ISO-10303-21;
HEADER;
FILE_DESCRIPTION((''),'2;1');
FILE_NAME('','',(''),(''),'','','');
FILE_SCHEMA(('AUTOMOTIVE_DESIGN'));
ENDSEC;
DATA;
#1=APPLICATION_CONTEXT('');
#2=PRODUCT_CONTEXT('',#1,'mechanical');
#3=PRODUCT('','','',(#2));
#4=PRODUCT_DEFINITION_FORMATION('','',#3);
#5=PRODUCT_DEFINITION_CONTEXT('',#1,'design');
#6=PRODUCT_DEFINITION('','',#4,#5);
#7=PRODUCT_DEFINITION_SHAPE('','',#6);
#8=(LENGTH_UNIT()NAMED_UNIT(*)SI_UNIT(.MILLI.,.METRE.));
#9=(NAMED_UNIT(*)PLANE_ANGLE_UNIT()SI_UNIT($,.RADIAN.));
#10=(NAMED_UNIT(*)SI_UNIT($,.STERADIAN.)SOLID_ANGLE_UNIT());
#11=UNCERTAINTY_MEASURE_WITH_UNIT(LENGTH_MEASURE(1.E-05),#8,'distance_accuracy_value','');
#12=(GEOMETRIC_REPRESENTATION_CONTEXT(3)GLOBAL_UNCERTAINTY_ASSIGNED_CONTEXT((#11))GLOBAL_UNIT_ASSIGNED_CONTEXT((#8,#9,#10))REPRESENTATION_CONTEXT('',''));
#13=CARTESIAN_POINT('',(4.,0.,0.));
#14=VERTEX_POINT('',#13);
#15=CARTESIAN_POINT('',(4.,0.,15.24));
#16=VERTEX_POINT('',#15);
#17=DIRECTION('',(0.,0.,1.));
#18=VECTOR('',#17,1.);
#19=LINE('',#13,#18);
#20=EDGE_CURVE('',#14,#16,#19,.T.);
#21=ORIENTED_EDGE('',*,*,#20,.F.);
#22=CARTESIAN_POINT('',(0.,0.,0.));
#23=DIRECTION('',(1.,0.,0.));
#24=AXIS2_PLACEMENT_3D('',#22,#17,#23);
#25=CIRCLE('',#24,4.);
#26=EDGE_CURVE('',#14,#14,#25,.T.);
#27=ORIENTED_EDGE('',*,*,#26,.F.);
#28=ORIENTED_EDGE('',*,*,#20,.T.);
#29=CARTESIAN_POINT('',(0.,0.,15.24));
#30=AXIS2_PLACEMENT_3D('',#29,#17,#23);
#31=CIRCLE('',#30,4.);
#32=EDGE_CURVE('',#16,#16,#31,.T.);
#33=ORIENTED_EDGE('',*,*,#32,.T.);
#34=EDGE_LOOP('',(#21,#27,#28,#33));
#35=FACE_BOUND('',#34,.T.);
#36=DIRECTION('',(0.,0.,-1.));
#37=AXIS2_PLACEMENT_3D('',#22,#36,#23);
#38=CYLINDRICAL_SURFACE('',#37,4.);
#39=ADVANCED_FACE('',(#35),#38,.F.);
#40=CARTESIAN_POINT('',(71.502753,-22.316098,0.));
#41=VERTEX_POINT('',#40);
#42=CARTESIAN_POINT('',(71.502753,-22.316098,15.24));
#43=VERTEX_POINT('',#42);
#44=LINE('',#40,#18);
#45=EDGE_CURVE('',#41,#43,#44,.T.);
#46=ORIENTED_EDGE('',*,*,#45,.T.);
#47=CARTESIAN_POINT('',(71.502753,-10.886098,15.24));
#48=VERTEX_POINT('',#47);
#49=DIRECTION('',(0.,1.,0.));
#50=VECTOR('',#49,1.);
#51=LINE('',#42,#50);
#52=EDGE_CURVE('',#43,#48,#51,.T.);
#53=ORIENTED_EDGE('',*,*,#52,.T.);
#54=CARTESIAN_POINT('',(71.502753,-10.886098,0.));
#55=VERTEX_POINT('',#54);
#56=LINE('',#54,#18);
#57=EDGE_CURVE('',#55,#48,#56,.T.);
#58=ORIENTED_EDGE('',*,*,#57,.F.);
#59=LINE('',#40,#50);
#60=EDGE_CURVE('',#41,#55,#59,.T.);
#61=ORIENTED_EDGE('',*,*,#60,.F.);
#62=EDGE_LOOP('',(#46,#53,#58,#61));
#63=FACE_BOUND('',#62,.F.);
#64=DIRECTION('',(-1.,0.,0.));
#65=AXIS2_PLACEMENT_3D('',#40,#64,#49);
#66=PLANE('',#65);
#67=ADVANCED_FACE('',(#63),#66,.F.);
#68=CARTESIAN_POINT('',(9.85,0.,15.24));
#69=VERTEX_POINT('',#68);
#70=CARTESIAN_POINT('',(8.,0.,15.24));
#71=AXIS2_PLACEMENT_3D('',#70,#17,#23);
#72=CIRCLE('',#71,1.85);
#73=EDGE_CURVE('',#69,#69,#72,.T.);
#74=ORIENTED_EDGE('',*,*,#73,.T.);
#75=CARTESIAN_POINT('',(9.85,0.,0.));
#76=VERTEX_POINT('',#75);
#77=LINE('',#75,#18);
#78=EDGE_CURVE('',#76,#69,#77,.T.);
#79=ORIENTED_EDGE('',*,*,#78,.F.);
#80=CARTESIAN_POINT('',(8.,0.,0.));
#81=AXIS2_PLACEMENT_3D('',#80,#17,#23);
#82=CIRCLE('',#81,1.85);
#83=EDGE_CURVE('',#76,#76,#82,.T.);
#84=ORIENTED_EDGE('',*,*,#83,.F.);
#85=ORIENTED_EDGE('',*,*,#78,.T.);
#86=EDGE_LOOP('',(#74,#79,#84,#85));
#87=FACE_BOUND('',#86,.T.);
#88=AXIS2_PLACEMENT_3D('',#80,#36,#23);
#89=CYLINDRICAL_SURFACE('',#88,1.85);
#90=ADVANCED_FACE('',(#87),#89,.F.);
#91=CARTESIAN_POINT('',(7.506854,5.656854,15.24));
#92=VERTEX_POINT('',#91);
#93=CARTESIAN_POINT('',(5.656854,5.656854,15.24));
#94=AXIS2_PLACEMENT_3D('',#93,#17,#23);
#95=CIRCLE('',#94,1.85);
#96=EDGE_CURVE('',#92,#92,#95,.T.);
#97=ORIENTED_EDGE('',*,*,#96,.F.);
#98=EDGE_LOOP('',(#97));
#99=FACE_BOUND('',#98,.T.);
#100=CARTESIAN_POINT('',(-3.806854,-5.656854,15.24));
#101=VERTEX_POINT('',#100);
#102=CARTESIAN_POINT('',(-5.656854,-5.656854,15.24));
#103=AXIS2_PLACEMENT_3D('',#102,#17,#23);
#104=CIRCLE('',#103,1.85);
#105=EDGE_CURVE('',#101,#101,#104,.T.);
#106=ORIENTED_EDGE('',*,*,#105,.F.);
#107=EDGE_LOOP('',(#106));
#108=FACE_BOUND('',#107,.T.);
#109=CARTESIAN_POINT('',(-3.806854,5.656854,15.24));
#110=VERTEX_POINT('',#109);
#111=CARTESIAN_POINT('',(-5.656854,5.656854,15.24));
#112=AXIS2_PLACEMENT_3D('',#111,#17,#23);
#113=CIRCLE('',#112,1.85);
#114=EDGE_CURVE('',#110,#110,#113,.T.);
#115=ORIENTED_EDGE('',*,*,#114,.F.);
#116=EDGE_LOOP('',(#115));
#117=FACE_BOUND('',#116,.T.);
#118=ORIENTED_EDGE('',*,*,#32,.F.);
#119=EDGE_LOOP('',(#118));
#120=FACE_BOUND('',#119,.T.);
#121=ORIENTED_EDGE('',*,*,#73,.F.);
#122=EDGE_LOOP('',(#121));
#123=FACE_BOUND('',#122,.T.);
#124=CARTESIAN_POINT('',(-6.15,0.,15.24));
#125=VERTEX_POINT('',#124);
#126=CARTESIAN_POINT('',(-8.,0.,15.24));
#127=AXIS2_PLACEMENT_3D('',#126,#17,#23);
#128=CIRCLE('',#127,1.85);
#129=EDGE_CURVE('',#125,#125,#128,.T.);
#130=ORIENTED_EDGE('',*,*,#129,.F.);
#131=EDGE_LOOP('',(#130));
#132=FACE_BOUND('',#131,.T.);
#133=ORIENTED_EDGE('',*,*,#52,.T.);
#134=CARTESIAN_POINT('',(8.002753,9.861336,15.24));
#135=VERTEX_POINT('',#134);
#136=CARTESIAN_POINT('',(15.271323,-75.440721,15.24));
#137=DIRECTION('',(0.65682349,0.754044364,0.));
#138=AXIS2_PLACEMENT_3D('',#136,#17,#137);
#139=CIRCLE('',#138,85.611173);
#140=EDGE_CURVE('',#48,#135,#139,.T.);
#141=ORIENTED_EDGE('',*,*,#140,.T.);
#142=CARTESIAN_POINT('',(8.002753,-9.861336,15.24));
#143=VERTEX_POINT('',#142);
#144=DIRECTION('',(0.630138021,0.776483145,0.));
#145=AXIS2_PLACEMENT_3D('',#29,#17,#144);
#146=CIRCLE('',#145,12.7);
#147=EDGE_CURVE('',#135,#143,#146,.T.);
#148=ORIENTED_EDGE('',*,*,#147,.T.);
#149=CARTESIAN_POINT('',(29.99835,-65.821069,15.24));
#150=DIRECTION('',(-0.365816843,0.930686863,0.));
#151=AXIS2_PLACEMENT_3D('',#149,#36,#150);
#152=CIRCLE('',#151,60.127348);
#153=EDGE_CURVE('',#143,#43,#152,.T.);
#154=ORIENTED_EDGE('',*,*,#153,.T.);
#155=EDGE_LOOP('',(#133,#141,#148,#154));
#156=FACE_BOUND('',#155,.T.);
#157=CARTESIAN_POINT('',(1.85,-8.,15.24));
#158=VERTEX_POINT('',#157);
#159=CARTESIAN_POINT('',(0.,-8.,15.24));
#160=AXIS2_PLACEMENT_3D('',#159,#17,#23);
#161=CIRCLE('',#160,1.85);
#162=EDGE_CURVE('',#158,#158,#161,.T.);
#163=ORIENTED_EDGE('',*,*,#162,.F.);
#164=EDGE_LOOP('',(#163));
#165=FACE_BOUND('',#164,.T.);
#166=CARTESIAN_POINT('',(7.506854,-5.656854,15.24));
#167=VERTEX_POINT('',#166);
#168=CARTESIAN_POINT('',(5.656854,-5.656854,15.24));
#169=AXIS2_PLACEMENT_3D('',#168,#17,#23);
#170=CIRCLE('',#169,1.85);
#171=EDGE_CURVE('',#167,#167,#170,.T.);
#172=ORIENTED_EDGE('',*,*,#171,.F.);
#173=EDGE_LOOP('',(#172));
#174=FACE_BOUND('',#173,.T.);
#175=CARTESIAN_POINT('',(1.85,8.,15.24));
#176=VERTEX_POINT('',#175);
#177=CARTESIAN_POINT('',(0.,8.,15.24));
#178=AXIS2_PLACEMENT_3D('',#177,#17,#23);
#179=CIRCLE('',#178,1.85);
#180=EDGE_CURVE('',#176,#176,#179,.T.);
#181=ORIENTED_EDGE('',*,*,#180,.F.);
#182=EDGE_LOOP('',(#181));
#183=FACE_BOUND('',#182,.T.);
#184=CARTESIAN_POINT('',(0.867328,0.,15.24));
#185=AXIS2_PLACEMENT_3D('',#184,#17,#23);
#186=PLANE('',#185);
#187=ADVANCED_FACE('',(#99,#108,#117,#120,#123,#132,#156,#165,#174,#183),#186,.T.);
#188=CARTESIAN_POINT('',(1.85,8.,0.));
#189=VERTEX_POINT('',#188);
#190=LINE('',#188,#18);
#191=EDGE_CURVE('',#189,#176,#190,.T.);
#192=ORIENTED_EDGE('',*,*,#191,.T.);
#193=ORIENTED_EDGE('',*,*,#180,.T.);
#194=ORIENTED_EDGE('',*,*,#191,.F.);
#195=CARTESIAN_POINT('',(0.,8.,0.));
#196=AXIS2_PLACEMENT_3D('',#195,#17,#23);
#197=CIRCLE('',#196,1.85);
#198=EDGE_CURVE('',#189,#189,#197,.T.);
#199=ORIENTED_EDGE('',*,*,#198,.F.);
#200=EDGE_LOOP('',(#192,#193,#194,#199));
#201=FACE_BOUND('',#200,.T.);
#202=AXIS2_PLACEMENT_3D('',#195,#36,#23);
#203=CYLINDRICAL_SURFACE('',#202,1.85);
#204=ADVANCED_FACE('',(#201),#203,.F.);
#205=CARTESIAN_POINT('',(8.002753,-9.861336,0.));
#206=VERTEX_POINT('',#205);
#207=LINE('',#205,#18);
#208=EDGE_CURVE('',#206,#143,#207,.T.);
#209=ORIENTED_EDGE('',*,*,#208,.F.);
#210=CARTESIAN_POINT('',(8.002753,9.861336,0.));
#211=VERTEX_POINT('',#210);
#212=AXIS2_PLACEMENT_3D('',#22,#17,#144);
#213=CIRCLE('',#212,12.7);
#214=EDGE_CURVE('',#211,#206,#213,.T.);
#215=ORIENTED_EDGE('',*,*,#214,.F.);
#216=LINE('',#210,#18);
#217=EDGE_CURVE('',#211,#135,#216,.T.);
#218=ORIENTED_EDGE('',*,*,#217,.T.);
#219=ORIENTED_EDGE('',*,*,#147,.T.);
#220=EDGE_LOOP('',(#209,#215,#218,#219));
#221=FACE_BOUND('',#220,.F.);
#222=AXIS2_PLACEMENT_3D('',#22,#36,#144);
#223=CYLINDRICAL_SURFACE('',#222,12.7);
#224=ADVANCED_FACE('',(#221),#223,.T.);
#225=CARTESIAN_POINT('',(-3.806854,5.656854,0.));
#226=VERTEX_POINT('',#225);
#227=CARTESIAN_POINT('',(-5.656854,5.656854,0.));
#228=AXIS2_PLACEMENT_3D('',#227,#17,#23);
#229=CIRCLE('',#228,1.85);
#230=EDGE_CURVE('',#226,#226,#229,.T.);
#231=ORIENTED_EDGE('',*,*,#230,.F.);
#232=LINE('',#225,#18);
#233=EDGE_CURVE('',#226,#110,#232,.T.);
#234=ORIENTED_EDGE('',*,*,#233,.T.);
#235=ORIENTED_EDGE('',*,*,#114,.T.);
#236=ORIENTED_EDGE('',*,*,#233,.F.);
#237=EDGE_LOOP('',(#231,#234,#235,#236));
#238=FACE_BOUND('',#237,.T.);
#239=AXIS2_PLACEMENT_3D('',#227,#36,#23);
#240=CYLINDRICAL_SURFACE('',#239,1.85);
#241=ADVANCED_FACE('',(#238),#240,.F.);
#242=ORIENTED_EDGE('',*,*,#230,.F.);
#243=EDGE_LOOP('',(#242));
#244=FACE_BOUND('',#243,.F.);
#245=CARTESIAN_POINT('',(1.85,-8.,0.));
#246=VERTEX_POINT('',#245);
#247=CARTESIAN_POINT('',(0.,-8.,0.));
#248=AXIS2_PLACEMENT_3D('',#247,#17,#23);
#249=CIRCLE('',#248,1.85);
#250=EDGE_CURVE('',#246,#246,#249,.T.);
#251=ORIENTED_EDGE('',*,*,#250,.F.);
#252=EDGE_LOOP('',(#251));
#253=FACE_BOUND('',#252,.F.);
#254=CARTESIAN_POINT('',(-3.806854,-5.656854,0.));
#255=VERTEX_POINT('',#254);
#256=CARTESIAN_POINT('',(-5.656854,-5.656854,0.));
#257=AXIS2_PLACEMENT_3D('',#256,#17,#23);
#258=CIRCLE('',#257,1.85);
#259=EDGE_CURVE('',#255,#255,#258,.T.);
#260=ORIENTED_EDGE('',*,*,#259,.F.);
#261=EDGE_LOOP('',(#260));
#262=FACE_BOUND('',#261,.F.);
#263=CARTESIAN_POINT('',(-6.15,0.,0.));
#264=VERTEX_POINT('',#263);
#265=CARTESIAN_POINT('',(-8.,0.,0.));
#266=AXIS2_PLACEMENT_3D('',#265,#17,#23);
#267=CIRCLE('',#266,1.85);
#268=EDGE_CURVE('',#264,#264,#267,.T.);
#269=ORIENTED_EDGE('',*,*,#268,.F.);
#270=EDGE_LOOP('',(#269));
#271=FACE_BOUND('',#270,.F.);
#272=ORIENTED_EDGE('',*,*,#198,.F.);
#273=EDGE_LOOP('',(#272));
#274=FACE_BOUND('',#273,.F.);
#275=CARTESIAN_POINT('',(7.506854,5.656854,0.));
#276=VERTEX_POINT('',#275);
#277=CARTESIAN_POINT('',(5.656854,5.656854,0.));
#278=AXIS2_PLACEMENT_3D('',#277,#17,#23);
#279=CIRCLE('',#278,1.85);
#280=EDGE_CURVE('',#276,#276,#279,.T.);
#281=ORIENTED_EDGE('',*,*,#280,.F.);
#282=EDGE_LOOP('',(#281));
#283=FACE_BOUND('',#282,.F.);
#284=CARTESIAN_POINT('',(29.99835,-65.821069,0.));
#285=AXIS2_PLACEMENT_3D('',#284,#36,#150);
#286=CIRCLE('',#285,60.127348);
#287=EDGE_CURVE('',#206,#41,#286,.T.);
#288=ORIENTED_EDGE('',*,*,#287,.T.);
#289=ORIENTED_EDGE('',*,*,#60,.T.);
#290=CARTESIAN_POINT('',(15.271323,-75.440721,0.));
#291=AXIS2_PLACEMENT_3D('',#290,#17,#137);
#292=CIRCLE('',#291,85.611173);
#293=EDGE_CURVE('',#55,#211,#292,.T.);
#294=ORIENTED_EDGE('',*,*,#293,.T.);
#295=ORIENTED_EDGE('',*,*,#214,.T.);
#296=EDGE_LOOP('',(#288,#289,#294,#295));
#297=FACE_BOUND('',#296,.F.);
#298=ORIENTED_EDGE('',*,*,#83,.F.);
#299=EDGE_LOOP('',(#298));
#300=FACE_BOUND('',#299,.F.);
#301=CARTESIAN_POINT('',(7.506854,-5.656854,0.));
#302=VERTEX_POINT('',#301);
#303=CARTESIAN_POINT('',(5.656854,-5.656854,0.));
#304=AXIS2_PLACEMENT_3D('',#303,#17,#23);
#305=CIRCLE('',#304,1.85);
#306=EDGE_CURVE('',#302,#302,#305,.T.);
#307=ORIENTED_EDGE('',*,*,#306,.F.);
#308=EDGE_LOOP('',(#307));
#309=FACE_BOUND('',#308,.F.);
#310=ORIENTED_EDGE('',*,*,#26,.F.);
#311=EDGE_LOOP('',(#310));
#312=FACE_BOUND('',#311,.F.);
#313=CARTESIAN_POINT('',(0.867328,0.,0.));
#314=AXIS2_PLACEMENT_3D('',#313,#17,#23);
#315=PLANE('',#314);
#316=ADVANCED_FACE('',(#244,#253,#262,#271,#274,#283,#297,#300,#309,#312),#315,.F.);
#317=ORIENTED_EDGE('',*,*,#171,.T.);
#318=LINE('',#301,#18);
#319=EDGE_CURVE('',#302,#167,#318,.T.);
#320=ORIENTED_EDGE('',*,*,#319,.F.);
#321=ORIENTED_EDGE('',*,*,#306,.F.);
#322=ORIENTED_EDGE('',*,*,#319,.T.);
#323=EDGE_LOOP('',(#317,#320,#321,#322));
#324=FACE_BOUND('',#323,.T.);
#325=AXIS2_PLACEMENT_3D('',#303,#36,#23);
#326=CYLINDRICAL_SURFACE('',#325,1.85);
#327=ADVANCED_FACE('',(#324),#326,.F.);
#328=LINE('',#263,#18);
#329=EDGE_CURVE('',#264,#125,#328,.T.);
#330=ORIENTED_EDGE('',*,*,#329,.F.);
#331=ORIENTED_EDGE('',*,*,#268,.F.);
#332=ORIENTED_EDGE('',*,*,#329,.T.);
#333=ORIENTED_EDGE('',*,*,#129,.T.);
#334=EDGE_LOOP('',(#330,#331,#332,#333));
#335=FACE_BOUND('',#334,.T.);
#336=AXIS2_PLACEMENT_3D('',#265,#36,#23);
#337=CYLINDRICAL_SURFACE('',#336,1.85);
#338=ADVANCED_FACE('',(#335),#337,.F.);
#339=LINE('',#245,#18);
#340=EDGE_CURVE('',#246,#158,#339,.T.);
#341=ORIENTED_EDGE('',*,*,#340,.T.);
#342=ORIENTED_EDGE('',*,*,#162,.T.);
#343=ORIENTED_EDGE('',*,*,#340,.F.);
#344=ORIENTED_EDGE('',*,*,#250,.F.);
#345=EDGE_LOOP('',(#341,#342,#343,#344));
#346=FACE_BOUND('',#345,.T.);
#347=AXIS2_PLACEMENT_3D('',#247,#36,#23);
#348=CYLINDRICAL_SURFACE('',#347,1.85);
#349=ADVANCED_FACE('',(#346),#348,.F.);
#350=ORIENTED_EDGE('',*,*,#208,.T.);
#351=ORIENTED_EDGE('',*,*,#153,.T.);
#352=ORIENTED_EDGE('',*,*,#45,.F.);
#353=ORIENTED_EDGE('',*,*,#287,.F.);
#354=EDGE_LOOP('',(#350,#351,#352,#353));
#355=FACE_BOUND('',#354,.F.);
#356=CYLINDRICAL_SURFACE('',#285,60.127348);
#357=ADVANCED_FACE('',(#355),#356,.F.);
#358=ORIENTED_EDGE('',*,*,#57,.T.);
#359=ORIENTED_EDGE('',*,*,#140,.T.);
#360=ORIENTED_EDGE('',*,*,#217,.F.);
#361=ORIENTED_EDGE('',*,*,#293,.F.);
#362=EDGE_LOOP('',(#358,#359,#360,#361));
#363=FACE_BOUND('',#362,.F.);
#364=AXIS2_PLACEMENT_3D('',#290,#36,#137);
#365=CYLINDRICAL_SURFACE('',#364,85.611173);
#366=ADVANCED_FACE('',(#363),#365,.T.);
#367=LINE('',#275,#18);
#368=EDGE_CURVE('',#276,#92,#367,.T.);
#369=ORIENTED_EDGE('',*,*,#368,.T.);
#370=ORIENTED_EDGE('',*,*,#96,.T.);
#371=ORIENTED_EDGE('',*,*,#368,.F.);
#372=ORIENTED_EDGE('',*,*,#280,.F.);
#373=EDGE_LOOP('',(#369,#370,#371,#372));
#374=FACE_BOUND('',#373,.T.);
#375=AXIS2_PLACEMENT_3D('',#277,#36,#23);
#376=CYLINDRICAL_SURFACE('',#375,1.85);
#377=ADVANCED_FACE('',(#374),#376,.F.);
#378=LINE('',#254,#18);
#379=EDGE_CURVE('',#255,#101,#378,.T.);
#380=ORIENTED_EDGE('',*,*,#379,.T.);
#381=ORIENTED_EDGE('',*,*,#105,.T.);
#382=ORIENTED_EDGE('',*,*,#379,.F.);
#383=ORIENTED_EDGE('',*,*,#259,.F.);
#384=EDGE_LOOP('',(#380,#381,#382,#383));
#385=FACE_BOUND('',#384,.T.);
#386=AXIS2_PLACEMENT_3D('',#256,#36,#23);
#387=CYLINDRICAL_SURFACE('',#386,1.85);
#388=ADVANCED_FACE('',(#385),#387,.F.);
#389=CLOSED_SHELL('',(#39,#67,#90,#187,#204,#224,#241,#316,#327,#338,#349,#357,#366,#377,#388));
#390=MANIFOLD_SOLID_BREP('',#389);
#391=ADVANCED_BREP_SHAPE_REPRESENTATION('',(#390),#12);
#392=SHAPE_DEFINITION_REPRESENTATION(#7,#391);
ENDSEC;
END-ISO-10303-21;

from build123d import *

# Parameters (mm, degrees)
F0_R     = 1.85
F0_R_2   = 4
F1_DEPTH = 15.24


with BuildPart() as f1:
    # F0 (on Top) → F1 (new body)
    with BuildSketch(Plane.XY):
        with BuildLine():
            ThreePointArc((8.002753, -9.861336), (11.465709, -5.461458), (12.7, 0))
            ThreePointArc((12.7, 0), (11.465709, 5.461458), (8.002753, 9.861336))
            ThreePointArc((8.002753, 9.861336), (-12.7, 0), (8.002753, -9.861336))
        make_face()
        with Locations((-5.656854, -5.656854)):
            Circle(F0_R, mode=Mode.SUBTRACT)
        with Locations((0, -8)):
            Circle(F0_R, mode=Mode.SUBTRACT)
        with Locations((5.656854, -5.656854)):
            Circle(F0_R, mode=Mode.SUBTRACT)
        with Locations((-8, 0)):
            Circle(F0_R, mode=Mode.SUBTRACT)
        Circle(F0_R_2, mode=Mode.SUBTRACT)
        with Locations((8, 0)):
            Circle(F0_R, mode=Mode.SUBTRACT)
        with Locations((-5.656854, 5.656854)):
            Circle(F0_R, mode=Mode.SUBTRACT)
        with Locations((5.656854, 5.656854)):
            Circle(F0_R, mode=Mode.SUBTRACT)
        with Locations((0, 8)):
            Circle(F0_R, mode=Mode.SUBTRACT)
        with BuildLine():
            ThreePointArc((8.002753, 9.861336), (11.465709, 5.461458), (12.7, 0))
            ThreePointArc((12.7, 0), (11.465709, -5.461458), (8.002753, -9.861336))
            ThreePointArc((8.002753, -9.861336), (41.571104, -6.817939), (71.502753, -22.316098))
            Line((71.502753, -22.316098), (71.502753, -10.886098))
            ThreePointArc((71.502753, -10.886098), (41.859937, 5.936909), (8.002753, 9.861336))
        make_face()
    extrude(amount=F1_DEPTH)


solid = f1.part
